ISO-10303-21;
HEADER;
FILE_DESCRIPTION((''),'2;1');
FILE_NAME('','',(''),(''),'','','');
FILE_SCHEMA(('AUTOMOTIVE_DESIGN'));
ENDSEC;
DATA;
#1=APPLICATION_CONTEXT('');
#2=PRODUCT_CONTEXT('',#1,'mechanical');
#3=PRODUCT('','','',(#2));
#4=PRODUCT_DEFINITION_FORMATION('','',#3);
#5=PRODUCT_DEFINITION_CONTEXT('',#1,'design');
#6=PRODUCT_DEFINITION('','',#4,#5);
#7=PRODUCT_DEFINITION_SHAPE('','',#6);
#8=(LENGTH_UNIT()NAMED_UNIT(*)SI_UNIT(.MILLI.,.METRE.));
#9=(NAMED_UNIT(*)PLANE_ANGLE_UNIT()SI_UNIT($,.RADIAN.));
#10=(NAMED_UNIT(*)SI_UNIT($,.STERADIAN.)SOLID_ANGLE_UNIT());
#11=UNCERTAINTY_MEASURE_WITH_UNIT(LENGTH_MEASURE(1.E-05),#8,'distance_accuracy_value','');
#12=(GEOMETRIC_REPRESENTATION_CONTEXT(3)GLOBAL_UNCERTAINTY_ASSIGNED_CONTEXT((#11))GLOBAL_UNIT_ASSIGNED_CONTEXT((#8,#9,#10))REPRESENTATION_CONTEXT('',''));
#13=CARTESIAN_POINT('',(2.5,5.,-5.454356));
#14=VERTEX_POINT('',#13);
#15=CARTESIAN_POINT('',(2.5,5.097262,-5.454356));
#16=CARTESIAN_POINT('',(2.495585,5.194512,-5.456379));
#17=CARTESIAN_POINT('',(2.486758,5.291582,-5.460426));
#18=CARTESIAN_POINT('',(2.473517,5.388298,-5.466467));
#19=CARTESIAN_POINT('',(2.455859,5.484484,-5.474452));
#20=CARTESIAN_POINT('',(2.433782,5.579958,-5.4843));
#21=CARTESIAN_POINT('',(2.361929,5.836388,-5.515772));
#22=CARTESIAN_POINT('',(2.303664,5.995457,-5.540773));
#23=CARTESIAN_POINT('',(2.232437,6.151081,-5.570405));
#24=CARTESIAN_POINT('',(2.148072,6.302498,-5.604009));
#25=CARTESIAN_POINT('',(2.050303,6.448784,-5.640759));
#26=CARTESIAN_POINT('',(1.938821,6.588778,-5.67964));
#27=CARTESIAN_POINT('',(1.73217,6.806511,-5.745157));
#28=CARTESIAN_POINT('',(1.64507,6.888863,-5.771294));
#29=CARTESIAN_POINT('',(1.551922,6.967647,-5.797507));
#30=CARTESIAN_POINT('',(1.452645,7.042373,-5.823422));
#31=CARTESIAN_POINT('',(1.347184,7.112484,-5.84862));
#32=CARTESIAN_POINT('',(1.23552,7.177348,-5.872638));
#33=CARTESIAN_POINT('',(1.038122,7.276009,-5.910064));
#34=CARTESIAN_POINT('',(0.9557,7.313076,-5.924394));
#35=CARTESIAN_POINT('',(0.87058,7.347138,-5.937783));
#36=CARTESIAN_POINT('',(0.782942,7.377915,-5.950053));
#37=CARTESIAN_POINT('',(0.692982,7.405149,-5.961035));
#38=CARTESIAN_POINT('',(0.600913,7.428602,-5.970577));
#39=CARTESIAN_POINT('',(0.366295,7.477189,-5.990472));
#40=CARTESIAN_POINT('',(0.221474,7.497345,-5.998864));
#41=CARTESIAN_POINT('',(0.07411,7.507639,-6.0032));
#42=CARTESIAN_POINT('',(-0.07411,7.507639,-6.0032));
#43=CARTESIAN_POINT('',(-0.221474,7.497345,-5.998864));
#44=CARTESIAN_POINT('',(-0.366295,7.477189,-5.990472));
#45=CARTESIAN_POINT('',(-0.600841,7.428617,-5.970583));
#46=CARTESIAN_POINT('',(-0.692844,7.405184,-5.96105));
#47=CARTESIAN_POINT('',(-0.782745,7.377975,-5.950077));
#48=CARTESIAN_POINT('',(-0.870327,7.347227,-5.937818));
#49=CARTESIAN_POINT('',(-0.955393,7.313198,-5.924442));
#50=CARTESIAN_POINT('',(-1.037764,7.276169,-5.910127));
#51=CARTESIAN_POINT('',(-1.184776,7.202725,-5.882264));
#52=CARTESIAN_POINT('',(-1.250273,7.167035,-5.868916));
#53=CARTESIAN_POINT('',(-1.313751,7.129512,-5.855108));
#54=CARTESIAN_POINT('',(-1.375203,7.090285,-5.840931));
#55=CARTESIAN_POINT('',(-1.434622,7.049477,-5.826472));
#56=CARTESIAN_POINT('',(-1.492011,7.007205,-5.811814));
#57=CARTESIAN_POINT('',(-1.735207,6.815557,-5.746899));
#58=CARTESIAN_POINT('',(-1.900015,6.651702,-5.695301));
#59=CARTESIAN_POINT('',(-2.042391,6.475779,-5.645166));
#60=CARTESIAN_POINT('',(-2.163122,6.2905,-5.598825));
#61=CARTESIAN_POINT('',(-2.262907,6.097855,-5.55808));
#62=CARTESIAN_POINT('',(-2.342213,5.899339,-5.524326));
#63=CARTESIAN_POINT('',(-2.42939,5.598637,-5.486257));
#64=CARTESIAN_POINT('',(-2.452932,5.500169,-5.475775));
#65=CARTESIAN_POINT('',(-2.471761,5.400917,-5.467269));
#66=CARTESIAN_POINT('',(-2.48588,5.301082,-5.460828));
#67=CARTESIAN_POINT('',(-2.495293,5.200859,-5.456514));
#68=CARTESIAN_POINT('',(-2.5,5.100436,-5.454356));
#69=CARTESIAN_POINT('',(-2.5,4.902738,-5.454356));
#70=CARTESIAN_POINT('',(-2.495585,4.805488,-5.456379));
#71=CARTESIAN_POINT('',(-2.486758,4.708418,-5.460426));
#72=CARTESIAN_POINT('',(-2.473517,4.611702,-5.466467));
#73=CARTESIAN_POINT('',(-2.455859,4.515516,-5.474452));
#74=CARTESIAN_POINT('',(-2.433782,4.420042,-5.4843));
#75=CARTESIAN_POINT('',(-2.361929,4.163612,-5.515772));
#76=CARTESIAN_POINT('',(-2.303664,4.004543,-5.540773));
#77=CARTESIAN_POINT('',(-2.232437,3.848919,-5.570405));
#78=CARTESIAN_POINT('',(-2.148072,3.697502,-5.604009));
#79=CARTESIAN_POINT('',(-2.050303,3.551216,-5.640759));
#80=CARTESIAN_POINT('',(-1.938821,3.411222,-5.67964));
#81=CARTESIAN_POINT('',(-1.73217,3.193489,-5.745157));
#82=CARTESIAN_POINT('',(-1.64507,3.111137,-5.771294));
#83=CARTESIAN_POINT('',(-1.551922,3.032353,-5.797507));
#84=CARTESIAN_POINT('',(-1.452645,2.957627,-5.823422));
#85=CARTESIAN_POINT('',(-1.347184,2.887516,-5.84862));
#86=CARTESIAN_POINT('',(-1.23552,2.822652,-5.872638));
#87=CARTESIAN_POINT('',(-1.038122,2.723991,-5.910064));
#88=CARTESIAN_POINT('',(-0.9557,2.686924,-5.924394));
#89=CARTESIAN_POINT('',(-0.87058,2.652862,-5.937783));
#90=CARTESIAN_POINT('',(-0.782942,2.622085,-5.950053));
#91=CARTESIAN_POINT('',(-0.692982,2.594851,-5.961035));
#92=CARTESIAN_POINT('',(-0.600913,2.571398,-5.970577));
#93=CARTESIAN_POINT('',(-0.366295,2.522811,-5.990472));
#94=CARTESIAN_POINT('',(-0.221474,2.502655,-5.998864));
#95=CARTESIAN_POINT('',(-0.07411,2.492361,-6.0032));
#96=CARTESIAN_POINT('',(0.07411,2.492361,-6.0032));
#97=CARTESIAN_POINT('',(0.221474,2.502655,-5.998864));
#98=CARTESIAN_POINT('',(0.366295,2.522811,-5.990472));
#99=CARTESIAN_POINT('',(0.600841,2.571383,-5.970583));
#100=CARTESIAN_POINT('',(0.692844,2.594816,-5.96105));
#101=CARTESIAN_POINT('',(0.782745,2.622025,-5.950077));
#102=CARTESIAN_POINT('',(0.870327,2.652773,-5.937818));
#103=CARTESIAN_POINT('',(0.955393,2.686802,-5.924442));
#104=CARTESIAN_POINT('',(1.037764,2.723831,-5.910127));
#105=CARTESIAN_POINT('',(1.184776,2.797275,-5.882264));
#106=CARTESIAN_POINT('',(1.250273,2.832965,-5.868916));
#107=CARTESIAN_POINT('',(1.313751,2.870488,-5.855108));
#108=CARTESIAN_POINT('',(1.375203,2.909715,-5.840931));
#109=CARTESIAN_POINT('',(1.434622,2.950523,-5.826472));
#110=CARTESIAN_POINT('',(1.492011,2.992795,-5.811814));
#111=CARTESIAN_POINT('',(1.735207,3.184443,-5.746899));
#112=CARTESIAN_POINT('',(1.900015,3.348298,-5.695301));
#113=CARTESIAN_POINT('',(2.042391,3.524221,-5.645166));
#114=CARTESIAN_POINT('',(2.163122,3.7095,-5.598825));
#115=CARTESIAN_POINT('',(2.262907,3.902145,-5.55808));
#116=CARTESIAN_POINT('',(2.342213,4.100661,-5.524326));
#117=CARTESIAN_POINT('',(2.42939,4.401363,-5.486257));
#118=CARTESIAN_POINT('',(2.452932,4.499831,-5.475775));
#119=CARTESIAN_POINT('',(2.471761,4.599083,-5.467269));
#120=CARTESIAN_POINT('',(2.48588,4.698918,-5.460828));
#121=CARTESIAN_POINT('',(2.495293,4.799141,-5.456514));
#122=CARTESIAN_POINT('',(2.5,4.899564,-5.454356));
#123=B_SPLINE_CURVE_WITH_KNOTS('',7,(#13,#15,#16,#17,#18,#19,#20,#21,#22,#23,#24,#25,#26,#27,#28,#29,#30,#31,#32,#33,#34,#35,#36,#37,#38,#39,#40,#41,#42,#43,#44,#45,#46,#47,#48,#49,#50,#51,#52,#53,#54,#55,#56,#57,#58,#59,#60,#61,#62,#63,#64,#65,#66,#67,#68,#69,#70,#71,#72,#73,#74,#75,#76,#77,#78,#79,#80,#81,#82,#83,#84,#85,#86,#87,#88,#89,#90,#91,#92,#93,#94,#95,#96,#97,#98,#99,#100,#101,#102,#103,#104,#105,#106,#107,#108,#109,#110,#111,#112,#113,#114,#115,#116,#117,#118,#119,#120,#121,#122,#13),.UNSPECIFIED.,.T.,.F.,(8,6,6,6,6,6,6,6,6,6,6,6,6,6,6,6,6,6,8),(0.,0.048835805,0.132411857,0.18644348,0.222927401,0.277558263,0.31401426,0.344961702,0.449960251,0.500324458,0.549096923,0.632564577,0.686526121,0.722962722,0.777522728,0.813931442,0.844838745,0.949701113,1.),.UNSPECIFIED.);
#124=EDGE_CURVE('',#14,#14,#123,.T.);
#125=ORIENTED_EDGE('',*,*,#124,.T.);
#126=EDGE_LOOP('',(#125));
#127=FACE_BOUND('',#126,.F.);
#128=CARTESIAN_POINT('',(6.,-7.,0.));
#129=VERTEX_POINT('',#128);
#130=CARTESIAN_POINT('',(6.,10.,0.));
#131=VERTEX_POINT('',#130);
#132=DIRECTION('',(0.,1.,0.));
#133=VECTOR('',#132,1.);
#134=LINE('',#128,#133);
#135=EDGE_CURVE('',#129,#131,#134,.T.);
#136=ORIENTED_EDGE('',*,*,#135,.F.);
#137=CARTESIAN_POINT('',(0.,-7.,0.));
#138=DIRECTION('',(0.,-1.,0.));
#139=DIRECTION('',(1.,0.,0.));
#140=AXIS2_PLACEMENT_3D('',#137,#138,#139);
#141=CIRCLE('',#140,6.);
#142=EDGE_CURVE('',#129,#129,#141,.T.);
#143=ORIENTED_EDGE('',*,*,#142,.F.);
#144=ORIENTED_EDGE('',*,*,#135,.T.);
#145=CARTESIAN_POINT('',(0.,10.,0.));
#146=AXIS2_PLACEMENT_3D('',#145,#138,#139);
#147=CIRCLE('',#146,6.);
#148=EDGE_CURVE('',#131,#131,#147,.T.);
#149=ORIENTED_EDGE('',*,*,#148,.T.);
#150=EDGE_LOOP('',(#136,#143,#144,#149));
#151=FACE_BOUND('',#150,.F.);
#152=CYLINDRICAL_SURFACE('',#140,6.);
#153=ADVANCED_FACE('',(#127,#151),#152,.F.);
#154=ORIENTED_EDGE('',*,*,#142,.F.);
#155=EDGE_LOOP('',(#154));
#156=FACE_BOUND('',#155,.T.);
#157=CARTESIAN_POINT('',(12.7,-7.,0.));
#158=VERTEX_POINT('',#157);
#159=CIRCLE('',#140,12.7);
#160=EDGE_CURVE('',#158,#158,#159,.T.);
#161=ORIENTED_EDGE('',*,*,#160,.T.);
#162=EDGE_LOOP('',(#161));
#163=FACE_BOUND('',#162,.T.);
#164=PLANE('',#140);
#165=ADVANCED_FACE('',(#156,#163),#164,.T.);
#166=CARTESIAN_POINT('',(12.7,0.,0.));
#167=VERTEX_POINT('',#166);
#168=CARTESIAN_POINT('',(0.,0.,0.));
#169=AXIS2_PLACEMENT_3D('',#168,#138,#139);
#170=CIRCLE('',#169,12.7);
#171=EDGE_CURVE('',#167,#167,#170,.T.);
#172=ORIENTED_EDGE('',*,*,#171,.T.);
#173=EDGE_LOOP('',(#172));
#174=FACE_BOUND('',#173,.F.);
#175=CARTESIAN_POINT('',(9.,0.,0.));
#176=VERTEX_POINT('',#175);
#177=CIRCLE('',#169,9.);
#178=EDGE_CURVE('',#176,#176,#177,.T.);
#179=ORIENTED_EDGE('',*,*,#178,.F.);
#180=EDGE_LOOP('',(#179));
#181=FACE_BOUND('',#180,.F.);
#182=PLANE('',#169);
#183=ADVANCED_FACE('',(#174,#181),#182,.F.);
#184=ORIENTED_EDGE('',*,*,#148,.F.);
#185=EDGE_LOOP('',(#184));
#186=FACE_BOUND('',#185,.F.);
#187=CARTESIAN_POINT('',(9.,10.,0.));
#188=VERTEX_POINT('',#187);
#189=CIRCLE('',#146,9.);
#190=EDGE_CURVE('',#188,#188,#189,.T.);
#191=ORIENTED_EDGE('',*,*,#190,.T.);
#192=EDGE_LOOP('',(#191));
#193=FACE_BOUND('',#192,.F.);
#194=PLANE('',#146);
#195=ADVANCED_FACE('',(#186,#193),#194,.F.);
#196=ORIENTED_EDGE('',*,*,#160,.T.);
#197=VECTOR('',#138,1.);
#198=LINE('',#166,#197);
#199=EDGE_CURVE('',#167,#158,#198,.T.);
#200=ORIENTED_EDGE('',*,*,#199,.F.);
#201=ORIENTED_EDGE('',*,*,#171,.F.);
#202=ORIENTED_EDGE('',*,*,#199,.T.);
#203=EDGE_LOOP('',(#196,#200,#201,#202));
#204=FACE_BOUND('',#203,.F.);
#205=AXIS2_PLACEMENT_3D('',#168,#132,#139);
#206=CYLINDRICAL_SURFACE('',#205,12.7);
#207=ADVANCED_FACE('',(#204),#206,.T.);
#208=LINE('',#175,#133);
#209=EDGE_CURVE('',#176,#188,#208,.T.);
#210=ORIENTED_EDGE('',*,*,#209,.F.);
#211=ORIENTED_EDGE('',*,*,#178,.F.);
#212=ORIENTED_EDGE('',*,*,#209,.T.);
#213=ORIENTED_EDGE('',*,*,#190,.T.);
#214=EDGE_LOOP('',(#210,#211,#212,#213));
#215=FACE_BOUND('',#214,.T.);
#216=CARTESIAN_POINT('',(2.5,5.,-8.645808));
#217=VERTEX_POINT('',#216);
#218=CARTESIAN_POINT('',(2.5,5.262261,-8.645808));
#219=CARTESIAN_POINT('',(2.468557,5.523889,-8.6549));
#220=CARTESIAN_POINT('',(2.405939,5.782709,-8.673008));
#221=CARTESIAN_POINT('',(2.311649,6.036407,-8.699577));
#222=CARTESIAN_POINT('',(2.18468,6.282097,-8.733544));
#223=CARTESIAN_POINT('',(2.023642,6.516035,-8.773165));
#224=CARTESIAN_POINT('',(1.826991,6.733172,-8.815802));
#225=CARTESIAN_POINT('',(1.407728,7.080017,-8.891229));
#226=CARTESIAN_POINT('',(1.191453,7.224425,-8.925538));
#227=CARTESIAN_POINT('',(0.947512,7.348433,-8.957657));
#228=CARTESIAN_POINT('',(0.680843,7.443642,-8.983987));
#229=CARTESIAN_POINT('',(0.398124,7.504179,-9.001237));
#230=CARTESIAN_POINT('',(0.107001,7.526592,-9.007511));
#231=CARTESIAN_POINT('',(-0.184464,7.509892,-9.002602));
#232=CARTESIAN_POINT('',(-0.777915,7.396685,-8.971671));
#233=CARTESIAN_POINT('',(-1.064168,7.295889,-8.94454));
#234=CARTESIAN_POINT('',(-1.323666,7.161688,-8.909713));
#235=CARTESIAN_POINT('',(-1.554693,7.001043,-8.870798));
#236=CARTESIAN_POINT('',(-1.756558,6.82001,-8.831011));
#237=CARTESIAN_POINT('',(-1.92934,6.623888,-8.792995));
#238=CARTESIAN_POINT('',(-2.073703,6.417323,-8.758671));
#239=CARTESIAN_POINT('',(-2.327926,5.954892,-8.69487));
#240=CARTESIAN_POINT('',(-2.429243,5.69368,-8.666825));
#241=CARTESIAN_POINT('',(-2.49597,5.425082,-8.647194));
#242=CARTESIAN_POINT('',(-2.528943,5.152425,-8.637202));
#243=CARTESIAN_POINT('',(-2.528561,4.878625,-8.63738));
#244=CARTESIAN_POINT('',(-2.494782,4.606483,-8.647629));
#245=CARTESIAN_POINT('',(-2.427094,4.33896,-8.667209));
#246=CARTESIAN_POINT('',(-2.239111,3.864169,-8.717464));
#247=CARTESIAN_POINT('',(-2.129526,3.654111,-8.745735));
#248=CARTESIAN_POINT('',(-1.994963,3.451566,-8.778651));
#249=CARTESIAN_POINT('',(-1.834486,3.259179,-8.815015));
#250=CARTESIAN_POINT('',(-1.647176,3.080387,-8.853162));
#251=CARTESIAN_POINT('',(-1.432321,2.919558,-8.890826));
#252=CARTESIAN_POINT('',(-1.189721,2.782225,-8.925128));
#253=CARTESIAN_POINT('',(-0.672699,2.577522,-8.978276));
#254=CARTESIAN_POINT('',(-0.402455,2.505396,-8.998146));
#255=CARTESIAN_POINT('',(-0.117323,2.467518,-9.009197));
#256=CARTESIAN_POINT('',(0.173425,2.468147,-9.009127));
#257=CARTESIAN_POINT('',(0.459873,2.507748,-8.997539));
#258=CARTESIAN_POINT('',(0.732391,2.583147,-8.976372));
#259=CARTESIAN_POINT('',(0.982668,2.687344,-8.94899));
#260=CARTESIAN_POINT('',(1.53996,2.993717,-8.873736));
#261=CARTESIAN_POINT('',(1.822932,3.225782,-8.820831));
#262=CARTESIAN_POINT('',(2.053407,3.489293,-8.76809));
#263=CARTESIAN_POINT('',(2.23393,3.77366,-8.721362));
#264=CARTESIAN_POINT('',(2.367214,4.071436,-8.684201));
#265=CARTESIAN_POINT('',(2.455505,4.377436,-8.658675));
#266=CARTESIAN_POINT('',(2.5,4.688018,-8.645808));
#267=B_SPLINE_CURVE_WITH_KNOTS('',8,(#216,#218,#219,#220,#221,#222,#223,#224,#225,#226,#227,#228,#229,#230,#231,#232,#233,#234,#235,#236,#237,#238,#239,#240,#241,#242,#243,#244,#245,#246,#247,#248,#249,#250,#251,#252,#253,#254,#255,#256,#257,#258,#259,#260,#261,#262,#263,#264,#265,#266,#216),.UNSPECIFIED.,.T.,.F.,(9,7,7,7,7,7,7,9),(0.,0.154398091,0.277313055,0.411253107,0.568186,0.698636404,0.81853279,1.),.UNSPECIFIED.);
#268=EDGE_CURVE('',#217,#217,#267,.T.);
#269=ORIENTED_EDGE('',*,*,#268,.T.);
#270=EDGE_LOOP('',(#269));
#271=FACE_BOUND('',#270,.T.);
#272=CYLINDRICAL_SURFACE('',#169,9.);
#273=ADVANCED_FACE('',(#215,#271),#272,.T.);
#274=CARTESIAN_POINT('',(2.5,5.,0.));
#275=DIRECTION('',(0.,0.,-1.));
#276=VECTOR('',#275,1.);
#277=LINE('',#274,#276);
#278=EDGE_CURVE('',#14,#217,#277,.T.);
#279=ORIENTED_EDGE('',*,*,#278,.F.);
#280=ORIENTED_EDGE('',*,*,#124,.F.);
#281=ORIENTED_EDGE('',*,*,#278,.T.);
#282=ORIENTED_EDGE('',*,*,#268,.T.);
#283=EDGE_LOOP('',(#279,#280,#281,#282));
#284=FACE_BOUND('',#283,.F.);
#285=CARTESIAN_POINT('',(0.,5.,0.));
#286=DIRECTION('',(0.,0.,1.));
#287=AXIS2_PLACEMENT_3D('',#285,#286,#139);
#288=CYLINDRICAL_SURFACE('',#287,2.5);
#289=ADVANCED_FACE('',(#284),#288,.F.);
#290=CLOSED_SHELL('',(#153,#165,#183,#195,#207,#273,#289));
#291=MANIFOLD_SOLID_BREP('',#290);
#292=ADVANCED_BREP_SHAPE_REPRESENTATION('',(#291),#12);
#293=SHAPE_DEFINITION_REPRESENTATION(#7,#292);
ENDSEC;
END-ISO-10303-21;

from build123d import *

# Parameters (mm, degrees)
F0_R     = 12.7
F1_DEPTH = 7
F2_R     = 9
F3_DEPTH = 10
F4_R     = 6
F5_DEPTH = 17.001
F7_D     = 5
F7_DEPTH = 12.701


with BuildPart() as f1:
    # F0 (on Front) → F1 (new body)
    with BuildSketch(Plane.XZ):
        Circle(F0_R)
    extrude(amount=F1_DEPTH)

    # F2 (on Front) → F3 (join)
    with BuildSketch(Plane.XZ):
        Circle(F2_R)
    extrude(amount=-F3_DEPTH)

    # F4 (on face) → F5 (cut, through all)
    with BuildSketch(Plane.XZ.offset(7)):
        Circle(F4_R)
    extrude(amount=-F5_DEPTH, mode=Mode.SUBTRACT)

    # F7 (through all, one way)
    with BuildSketch(Plane.XY):
        with Locations((0, 5)):
            Circle(F7_D / 2)
    extrude(amount=-F7_DEPTH, mode=Mode.SUBTRACT)


solid = f1.part
